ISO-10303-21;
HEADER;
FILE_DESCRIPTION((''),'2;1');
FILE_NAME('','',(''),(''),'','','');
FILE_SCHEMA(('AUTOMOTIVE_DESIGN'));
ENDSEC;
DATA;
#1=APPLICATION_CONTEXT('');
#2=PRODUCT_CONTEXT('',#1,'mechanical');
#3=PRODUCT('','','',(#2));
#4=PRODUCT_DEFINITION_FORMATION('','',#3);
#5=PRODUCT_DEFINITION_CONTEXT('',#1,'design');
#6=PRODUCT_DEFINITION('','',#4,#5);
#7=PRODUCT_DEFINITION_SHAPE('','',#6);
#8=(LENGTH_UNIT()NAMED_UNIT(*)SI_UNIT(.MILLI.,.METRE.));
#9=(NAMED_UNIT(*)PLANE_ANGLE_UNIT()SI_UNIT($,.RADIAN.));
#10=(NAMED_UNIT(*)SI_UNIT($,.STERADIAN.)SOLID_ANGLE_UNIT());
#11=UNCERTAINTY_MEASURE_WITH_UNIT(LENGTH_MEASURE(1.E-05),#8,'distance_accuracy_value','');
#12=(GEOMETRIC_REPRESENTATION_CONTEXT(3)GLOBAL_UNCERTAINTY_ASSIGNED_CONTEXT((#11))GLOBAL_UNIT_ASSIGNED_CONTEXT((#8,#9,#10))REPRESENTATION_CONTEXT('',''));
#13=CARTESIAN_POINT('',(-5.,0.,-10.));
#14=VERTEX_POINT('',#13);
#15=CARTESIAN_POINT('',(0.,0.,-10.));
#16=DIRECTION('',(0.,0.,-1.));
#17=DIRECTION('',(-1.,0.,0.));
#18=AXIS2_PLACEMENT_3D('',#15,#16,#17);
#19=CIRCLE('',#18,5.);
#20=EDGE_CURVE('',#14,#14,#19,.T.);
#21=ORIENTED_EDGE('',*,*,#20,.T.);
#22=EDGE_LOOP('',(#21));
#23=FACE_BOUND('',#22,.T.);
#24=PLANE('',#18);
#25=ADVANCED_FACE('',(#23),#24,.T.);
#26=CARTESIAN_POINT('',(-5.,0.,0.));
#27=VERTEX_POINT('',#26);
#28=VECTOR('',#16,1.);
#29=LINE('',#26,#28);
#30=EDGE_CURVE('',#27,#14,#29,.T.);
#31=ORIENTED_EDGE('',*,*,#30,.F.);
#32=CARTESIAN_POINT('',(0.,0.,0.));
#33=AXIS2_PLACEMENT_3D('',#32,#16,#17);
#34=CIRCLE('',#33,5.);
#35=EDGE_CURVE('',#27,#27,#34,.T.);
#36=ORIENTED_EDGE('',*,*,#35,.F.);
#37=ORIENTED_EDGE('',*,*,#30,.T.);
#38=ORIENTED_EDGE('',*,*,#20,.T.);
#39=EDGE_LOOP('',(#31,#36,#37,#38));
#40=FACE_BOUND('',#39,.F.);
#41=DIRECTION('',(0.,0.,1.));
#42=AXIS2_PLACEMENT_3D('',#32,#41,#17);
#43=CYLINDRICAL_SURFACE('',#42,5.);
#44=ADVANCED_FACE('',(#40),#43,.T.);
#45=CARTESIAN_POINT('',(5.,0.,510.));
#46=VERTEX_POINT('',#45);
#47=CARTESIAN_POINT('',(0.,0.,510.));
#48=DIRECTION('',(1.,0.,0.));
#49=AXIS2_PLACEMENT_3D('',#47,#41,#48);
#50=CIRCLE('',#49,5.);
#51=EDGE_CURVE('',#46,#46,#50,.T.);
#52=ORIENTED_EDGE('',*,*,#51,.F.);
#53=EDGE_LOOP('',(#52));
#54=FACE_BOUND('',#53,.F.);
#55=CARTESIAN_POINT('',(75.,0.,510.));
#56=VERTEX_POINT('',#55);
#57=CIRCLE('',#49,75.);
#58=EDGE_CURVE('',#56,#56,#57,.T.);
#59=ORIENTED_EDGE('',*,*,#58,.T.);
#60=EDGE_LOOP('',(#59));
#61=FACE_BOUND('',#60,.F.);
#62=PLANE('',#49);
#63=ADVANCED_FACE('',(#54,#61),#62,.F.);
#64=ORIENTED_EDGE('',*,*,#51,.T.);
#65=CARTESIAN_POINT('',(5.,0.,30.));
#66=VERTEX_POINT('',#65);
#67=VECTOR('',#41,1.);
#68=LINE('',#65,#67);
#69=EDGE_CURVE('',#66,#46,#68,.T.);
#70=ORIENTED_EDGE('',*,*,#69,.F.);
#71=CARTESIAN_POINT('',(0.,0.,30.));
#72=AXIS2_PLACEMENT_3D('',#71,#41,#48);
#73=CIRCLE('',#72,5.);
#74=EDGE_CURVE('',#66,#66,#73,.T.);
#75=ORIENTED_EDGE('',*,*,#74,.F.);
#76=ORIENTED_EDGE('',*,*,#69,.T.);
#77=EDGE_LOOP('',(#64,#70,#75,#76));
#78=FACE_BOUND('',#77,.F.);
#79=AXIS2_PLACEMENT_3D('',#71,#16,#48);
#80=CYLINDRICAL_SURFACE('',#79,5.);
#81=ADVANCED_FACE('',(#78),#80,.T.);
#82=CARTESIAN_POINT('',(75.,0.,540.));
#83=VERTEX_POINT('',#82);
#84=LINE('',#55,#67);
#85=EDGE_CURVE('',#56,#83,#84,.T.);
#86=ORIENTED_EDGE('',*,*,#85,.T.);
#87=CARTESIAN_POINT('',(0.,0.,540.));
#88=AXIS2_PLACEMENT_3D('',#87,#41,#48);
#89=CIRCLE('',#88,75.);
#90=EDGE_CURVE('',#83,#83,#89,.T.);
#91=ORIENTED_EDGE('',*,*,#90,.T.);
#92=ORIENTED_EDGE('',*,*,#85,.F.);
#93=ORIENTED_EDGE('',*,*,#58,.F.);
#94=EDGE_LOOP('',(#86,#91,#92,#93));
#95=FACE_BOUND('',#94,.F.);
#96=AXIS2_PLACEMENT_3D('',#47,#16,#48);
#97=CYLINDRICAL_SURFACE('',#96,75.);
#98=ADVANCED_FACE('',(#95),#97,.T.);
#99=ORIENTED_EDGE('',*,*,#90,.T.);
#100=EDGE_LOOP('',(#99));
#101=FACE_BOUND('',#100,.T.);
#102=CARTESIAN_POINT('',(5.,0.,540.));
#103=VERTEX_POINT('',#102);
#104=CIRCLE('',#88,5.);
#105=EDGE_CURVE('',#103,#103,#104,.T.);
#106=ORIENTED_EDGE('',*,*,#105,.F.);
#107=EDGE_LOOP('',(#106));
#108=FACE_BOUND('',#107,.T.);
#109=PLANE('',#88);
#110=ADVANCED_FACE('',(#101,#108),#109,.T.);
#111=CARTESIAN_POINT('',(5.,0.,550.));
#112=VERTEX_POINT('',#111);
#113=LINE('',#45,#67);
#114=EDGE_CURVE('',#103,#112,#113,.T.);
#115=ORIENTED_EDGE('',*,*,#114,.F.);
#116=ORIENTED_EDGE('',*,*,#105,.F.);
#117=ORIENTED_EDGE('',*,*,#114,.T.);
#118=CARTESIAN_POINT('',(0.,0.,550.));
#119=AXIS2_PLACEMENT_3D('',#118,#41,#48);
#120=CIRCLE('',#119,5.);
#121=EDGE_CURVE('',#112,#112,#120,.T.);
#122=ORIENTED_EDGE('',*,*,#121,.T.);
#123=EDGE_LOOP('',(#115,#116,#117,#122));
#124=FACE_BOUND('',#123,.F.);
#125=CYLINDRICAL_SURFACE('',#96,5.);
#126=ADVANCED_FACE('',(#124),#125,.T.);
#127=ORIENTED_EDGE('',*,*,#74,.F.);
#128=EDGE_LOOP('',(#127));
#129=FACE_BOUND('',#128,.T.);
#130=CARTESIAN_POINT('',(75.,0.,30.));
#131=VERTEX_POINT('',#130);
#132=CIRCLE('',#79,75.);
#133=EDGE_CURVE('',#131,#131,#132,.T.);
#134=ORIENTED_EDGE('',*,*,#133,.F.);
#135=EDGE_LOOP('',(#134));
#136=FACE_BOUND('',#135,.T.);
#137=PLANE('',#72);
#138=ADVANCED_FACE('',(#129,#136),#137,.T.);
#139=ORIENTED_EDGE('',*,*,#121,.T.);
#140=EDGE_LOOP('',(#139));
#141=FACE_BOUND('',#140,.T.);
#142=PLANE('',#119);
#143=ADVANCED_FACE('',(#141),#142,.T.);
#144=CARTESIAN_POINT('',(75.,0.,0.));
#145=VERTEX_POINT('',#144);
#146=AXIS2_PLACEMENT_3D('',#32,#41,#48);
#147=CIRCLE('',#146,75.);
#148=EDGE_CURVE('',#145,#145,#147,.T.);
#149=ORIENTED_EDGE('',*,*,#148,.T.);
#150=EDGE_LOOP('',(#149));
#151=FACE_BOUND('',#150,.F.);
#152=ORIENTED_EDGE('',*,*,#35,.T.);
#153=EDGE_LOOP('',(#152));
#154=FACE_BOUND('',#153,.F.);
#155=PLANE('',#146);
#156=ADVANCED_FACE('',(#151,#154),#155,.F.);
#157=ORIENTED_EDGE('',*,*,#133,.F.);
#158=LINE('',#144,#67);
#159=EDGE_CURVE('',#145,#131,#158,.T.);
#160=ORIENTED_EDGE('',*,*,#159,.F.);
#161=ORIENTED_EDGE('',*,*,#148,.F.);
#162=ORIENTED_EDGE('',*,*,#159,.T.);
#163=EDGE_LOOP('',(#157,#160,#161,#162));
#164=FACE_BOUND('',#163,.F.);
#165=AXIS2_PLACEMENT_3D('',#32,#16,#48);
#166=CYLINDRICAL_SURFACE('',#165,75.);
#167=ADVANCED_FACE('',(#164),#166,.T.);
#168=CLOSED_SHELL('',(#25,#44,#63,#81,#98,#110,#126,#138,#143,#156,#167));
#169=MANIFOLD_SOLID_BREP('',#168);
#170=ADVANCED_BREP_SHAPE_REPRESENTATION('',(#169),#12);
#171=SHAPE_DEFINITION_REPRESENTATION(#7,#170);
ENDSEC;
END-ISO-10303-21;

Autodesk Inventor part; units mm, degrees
ref_plane "YZ Plane" through (0, 0, 0) normal (1, 0, 0) x (0, 1, 0)
ref_plane "XZ Plane" through (0, 0, 0) normal (0, 1, 0) x (-1, 0, 0)
ref_plane "XY Plane" through (0, 0, 0) normal (0, 0, 1) x (1, 0, 0)
sketch "Skizze1" plane through (0, 0, 0) normal (0, 0, 1) x (1, 0, 0)
  line L0 (-105, 0) -> (105, 0) projected
  line L1 (0, -105) -> (0, 105) projected
  circle A0 centre (0, 0) radius 75
  dimension "d0" = 150
extrude "Extrusion1" add sketch "Skizze1" along normal blind 30
sketch "Skizze2" plane through (0, 0, 30) normal (0, 0, 1) x (1, 0, 0)
  circle A0 centre (0, 0) radius 5
  dimension "d3" = 10
extrude "Extrusion2" add sketch "Skizze2" along normal blind 480
sketch "Skizze3" plane through (0, 0, 510) normal (0, 0, 1) x (1, 0, 0)
  circle A0 centre (0, 0) radius 5 projected
  circle A1 centre (0, 0) radius 75
extrude "Extrusion3" add sketch "Skizze3" along normal blind 30
sketch "Skizze4" plane through (0, 0, 0) normal (0, 0, -1) x (-1, 0, 0)
  circle A0 centre (0, 0) radius 5 projected
  circle A1 centre (0, 0) radius 5
  dimension "d8" = 10
extrude "Extrusion4" add sketch "Skizze4" along normal blind 10
sketch "Skizze5" plane through (0, 0, 510) normal (0, 0, 1) x (1, 0, 0)
  circle A0 centre (0, 0) radius 5
  dimension "d11" = 10
extrude "Extrusion5" add sketch "Skizze5" along normal blind 40
properties part number "Reifen"
